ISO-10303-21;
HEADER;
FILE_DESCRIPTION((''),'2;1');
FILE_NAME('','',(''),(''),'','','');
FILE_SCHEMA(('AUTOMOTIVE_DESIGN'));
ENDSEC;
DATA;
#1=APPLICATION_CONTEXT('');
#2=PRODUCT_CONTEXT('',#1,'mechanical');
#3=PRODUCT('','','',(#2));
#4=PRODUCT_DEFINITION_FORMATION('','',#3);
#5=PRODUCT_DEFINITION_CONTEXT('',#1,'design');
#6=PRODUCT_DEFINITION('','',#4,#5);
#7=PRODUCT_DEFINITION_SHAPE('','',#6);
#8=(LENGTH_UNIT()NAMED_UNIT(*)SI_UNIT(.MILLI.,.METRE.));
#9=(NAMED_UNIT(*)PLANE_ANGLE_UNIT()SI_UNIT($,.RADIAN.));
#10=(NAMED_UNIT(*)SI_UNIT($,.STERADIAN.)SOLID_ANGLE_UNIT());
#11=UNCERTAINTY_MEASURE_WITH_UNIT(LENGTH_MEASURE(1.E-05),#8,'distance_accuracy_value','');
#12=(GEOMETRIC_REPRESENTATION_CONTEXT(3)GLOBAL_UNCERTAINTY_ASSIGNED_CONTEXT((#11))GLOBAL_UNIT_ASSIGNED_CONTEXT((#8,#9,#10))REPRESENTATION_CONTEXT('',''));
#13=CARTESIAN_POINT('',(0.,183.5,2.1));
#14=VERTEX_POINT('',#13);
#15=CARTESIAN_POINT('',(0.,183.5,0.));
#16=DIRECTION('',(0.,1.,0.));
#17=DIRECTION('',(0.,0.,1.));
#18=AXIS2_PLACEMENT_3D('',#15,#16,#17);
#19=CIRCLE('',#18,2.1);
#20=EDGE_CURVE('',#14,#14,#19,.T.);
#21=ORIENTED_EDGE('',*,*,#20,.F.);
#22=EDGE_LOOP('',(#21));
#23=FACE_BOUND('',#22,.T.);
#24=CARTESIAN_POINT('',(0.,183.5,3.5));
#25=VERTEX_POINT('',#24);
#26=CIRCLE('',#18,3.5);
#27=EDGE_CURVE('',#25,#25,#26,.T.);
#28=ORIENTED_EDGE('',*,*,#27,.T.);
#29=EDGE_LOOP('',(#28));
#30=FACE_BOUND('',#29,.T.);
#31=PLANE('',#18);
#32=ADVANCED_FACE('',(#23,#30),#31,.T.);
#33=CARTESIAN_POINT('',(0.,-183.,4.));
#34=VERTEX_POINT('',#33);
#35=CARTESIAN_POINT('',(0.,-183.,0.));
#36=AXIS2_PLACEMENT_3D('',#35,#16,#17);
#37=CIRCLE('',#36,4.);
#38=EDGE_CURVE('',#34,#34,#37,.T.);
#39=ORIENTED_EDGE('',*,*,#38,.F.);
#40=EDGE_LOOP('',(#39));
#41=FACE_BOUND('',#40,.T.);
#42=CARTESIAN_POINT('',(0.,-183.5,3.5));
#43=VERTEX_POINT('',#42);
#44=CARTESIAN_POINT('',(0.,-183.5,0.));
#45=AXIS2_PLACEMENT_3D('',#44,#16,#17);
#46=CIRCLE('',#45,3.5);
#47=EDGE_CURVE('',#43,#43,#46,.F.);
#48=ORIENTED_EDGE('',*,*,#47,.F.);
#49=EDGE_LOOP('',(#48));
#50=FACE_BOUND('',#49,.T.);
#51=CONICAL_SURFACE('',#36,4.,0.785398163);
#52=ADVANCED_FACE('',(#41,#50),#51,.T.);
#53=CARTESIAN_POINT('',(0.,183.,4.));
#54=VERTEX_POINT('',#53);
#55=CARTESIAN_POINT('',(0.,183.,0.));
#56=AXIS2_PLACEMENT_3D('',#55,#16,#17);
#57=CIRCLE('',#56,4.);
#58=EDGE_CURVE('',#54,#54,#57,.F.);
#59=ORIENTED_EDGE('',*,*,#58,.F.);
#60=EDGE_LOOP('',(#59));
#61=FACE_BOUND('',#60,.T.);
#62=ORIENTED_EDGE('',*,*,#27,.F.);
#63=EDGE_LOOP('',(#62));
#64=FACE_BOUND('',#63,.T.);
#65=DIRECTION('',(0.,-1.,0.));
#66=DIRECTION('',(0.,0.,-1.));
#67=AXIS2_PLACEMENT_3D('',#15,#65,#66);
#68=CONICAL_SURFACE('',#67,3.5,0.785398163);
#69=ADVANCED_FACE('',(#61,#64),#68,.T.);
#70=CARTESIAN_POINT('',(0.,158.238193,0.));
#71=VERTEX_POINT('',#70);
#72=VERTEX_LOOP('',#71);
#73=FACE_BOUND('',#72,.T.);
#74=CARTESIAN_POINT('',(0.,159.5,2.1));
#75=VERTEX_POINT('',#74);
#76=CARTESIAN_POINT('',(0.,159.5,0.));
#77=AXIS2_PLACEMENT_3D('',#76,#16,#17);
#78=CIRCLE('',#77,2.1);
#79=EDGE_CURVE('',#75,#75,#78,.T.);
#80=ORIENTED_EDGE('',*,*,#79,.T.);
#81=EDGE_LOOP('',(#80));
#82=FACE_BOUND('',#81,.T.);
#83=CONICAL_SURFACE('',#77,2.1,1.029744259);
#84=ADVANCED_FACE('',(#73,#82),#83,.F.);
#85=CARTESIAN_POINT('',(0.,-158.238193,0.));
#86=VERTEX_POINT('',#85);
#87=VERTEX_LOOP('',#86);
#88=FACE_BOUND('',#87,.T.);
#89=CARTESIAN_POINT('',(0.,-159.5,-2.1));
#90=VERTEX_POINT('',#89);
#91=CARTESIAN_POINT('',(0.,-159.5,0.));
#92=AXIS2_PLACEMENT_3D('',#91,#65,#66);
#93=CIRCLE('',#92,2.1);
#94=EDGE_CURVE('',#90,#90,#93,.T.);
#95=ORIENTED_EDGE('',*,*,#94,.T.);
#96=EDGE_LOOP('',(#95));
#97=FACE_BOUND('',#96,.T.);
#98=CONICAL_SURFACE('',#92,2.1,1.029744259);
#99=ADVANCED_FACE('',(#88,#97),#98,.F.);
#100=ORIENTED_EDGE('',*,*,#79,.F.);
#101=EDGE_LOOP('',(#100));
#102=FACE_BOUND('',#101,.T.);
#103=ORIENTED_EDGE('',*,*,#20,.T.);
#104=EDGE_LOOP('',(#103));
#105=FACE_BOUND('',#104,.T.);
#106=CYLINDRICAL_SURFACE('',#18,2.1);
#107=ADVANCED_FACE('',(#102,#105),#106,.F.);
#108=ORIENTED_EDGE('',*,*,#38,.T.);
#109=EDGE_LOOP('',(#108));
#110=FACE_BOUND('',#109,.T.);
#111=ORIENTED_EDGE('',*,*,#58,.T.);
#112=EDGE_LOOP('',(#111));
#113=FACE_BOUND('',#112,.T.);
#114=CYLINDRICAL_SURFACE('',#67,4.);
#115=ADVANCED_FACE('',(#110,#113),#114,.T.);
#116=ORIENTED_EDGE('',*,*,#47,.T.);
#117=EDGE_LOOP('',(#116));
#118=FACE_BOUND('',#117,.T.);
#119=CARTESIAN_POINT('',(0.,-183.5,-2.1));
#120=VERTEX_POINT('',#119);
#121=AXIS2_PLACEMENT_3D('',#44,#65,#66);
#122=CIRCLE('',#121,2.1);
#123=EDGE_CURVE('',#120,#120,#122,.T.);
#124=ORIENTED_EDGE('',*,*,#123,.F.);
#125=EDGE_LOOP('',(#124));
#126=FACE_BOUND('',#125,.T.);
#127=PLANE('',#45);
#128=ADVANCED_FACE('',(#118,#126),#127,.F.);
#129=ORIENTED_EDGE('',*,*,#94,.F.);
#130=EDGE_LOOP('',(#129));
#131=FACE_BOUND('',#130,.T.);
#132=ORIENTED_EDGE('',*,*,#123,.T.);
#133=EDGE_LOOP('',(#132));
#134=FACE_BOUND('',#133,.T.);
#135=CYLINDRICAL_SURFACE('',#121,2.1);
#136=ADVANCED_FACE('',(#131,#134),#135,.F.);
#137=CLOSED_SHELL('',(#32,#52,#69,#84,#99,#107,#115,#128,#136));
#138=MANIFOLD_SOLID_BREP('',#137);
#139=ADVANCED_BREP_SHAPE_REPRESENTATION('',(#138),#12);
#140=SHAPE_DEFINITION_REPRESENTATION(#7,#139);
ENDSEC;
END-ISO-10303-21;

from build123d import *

# Parameters (mm, degrees)
ESBO_O3_R                = 4
RESSALTO_EXTRUS_O1_DEPTH = 183.5
CHANFRO1_SIZE            = 0.5


with BuildPart() as part:
    # Esboço3 → Ressalto-extrusão1 (new, symmetric)
    with BuildSketch(Plane(origin=(0, 0, 0), x_dir=(1, 0, 0), z_dir=(0, 1, 0))):
        with Locations(Location((0, 0, 0), (0, 0, 270))):
            Circle(ESBO_O3_R)
    extrude(amount=RESSALTO_EXTRUS_O1_DEPTH, both=True)

    # Chanfro1
    chanfro1_edges = [part.edges().sort_by_distance(p)[0] for p in [
        (0, -183.5, -4),
        (0, 183.5, -4),
    ]]
    chamfer(chanfro1_edges, length=CHANFRO1_SIZE)

    # Esboço4 → Furo roscado de M51 (revolve, cut)
    with BuildSketch(Plane(origin=(0, 183.5, 0), x_dir=(0, 0, 1), z_dir=(1, 0, 0))):
        Polygon((0, 0), (0, 25.2618073), (2.1, 24), (2.1, 0), align=None)
    furo_roscado_de_m51 = revolve(axis=Axis((0, 189.85, 0), (0, -1, 0)), mode=Mode.SUBTRACT)

    # Espelhar1: Furo roscado de M51 across plane
    add(furo_roscado_de_m51.mirror(Plane.ZX), mode=Mode.SUBTRACT)


solid = part.part
